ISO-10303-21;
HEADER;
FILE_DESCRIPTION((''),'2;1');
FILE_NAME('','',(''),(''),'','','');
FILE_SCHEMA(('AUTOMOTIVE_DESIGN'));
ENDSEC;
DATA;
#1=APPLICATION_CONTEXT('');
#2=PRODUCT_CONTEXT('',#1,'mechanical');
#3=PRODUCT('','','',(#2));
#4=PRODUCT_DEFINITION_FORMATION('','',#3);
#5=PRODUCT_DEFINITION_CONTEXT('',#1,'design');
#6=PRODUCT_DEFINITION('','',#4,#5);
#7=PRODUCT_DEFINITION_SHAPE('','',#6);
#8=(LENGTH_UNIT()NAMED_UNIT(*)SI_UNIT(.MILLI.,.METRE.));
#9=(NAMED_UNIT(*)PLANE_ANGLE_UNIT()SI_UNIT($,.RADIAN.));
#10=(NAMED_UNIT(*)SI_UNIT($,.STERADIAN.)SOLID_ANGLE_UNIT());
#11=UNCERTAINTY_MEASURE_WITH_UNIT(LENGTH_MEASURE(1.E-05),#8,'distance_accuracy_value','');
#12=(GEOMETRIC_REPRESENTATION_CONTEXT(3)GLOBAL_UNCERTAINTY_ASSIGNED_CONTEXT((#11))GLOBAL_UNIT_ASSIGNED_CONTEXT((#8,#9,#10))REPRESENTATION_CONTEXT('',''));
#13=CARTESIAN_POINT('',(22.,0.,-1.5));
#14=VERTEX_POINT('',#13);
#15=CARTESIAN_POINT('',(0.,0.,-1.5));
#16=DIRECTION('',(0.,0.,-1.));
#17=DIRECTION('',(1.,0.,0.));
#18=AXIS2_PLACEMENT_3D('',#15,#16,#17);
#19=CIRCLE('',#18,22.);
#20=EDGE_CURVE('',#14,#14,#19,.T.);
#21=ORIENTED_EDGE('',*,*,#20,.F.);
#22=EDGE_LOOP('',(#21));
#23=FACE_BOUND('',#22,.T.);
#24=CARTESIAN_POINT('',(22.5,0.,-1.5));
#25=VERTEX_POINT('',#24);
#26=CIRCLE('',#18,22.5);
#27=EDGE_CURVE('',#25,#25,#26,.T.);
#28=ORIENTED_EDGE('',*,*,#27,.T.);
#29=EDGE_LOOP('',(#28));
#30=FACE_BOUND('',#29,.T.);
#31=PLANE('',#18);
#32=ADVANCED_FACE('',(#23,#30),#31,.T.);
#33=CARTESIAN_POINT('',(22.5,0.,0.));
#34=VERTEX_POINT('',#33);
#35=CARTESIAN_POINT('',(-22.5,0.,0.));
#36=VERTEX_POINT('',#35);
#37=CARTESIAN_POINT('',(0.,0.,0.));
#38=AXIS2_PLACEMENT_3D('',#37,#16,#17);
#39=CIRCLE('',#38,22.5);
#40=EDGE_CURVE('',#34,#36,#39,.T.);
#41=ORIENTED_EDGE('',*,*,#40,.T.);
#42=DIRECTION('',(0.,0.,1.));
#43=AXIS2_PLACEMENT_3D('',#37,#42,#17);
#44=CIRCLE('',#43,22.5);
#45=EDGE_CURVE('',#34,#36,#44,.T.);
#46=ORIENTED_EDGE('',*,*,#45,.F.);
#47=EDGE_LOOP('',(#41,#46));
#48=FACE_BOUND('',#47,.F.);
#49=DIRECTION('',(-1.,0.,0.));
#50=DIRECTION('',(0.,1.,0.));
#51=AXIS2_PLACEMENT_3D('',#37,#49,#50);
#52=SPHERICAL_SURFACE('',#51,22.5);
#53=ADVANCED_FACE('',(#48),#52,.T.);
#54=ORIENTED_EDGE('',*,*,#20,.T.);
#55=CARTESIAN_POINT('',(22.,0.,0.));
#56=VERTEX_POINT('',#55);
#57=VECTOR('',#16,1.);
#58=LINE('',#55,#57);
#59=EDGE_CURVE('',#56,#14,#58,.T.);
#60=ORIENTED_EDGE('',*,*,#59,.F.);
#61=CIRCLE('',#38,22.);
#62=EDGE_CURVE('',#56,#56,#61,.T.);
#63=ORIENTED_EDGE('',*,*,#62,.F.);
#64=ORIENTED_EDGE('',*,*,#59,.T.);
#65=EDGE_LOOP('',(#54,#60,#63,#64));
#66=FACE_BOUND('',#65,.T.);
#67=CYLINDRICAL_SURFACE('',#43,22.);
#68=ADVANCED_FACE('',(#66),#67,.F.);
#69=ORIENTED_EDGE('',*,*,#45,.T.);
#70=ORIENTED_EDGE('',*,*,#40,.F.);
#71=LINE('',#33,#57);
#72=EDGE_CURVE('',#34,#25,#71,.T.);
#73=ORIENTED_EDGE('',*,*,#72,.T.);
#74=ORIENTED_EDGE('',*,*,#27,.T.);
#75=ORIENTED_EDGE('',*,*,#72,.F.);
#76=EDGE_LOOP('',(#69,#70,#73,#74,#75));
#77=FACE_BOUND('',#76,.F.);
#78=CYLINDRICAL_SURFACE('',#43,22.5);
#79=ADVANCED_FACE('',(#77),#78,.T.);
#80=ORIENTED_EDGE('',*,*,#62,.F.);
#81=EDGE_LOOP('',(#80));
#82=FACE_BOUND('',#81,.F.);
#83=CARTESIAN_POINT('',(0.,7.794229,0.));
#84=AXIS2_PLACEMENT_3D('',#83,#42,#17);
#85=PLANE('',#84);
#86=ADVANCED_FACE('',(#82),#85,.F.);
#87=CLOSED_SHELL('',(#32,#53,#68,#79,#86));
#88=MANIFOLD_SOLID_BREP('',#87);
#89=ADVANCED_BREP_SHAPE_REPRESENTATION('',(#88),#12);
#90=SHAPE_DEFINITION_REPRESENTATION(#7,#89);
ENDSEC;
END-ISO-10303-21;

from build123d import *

# Parameters (mm, degrees)
F1_ANGLE = 180
F2_R     = 22
F3_DEPTH = 1.5


with BuildPart() as f1:
    # F0 (on Top) → F1 (revolve)
    with BuildSketch(Plane.XY):
        with BuildLine():
            Line((-22.5, 0), (22.5, 0))
            ThreePointArc((22.5, 0), (0, 22.5), (-22.5, 0))
        make_face()
    revolve(axis=Axis((0, 0, 0), (1, 0, 0)), revolution_arc=F1_ANGLE)

    # F2 (on face) → F3 (join)
    with BuildSketch(Plane(origin=(0, 0, 0), x_dir=(1, 0, 0), z_dir=(0, 0, -1))):
        with BuildLine():
            ThreePointArc((-22.5, 0), (0, -22.5), (22.5, 0))
            ThreePointArc((22.5, 0), (0, 22.5), (-22.5, 0))
        make_face()
        Circle(F2_R, mode=Mode.SUBTRACT)
    extrude(amount=F3_DEPTH)


solid = f1.part
